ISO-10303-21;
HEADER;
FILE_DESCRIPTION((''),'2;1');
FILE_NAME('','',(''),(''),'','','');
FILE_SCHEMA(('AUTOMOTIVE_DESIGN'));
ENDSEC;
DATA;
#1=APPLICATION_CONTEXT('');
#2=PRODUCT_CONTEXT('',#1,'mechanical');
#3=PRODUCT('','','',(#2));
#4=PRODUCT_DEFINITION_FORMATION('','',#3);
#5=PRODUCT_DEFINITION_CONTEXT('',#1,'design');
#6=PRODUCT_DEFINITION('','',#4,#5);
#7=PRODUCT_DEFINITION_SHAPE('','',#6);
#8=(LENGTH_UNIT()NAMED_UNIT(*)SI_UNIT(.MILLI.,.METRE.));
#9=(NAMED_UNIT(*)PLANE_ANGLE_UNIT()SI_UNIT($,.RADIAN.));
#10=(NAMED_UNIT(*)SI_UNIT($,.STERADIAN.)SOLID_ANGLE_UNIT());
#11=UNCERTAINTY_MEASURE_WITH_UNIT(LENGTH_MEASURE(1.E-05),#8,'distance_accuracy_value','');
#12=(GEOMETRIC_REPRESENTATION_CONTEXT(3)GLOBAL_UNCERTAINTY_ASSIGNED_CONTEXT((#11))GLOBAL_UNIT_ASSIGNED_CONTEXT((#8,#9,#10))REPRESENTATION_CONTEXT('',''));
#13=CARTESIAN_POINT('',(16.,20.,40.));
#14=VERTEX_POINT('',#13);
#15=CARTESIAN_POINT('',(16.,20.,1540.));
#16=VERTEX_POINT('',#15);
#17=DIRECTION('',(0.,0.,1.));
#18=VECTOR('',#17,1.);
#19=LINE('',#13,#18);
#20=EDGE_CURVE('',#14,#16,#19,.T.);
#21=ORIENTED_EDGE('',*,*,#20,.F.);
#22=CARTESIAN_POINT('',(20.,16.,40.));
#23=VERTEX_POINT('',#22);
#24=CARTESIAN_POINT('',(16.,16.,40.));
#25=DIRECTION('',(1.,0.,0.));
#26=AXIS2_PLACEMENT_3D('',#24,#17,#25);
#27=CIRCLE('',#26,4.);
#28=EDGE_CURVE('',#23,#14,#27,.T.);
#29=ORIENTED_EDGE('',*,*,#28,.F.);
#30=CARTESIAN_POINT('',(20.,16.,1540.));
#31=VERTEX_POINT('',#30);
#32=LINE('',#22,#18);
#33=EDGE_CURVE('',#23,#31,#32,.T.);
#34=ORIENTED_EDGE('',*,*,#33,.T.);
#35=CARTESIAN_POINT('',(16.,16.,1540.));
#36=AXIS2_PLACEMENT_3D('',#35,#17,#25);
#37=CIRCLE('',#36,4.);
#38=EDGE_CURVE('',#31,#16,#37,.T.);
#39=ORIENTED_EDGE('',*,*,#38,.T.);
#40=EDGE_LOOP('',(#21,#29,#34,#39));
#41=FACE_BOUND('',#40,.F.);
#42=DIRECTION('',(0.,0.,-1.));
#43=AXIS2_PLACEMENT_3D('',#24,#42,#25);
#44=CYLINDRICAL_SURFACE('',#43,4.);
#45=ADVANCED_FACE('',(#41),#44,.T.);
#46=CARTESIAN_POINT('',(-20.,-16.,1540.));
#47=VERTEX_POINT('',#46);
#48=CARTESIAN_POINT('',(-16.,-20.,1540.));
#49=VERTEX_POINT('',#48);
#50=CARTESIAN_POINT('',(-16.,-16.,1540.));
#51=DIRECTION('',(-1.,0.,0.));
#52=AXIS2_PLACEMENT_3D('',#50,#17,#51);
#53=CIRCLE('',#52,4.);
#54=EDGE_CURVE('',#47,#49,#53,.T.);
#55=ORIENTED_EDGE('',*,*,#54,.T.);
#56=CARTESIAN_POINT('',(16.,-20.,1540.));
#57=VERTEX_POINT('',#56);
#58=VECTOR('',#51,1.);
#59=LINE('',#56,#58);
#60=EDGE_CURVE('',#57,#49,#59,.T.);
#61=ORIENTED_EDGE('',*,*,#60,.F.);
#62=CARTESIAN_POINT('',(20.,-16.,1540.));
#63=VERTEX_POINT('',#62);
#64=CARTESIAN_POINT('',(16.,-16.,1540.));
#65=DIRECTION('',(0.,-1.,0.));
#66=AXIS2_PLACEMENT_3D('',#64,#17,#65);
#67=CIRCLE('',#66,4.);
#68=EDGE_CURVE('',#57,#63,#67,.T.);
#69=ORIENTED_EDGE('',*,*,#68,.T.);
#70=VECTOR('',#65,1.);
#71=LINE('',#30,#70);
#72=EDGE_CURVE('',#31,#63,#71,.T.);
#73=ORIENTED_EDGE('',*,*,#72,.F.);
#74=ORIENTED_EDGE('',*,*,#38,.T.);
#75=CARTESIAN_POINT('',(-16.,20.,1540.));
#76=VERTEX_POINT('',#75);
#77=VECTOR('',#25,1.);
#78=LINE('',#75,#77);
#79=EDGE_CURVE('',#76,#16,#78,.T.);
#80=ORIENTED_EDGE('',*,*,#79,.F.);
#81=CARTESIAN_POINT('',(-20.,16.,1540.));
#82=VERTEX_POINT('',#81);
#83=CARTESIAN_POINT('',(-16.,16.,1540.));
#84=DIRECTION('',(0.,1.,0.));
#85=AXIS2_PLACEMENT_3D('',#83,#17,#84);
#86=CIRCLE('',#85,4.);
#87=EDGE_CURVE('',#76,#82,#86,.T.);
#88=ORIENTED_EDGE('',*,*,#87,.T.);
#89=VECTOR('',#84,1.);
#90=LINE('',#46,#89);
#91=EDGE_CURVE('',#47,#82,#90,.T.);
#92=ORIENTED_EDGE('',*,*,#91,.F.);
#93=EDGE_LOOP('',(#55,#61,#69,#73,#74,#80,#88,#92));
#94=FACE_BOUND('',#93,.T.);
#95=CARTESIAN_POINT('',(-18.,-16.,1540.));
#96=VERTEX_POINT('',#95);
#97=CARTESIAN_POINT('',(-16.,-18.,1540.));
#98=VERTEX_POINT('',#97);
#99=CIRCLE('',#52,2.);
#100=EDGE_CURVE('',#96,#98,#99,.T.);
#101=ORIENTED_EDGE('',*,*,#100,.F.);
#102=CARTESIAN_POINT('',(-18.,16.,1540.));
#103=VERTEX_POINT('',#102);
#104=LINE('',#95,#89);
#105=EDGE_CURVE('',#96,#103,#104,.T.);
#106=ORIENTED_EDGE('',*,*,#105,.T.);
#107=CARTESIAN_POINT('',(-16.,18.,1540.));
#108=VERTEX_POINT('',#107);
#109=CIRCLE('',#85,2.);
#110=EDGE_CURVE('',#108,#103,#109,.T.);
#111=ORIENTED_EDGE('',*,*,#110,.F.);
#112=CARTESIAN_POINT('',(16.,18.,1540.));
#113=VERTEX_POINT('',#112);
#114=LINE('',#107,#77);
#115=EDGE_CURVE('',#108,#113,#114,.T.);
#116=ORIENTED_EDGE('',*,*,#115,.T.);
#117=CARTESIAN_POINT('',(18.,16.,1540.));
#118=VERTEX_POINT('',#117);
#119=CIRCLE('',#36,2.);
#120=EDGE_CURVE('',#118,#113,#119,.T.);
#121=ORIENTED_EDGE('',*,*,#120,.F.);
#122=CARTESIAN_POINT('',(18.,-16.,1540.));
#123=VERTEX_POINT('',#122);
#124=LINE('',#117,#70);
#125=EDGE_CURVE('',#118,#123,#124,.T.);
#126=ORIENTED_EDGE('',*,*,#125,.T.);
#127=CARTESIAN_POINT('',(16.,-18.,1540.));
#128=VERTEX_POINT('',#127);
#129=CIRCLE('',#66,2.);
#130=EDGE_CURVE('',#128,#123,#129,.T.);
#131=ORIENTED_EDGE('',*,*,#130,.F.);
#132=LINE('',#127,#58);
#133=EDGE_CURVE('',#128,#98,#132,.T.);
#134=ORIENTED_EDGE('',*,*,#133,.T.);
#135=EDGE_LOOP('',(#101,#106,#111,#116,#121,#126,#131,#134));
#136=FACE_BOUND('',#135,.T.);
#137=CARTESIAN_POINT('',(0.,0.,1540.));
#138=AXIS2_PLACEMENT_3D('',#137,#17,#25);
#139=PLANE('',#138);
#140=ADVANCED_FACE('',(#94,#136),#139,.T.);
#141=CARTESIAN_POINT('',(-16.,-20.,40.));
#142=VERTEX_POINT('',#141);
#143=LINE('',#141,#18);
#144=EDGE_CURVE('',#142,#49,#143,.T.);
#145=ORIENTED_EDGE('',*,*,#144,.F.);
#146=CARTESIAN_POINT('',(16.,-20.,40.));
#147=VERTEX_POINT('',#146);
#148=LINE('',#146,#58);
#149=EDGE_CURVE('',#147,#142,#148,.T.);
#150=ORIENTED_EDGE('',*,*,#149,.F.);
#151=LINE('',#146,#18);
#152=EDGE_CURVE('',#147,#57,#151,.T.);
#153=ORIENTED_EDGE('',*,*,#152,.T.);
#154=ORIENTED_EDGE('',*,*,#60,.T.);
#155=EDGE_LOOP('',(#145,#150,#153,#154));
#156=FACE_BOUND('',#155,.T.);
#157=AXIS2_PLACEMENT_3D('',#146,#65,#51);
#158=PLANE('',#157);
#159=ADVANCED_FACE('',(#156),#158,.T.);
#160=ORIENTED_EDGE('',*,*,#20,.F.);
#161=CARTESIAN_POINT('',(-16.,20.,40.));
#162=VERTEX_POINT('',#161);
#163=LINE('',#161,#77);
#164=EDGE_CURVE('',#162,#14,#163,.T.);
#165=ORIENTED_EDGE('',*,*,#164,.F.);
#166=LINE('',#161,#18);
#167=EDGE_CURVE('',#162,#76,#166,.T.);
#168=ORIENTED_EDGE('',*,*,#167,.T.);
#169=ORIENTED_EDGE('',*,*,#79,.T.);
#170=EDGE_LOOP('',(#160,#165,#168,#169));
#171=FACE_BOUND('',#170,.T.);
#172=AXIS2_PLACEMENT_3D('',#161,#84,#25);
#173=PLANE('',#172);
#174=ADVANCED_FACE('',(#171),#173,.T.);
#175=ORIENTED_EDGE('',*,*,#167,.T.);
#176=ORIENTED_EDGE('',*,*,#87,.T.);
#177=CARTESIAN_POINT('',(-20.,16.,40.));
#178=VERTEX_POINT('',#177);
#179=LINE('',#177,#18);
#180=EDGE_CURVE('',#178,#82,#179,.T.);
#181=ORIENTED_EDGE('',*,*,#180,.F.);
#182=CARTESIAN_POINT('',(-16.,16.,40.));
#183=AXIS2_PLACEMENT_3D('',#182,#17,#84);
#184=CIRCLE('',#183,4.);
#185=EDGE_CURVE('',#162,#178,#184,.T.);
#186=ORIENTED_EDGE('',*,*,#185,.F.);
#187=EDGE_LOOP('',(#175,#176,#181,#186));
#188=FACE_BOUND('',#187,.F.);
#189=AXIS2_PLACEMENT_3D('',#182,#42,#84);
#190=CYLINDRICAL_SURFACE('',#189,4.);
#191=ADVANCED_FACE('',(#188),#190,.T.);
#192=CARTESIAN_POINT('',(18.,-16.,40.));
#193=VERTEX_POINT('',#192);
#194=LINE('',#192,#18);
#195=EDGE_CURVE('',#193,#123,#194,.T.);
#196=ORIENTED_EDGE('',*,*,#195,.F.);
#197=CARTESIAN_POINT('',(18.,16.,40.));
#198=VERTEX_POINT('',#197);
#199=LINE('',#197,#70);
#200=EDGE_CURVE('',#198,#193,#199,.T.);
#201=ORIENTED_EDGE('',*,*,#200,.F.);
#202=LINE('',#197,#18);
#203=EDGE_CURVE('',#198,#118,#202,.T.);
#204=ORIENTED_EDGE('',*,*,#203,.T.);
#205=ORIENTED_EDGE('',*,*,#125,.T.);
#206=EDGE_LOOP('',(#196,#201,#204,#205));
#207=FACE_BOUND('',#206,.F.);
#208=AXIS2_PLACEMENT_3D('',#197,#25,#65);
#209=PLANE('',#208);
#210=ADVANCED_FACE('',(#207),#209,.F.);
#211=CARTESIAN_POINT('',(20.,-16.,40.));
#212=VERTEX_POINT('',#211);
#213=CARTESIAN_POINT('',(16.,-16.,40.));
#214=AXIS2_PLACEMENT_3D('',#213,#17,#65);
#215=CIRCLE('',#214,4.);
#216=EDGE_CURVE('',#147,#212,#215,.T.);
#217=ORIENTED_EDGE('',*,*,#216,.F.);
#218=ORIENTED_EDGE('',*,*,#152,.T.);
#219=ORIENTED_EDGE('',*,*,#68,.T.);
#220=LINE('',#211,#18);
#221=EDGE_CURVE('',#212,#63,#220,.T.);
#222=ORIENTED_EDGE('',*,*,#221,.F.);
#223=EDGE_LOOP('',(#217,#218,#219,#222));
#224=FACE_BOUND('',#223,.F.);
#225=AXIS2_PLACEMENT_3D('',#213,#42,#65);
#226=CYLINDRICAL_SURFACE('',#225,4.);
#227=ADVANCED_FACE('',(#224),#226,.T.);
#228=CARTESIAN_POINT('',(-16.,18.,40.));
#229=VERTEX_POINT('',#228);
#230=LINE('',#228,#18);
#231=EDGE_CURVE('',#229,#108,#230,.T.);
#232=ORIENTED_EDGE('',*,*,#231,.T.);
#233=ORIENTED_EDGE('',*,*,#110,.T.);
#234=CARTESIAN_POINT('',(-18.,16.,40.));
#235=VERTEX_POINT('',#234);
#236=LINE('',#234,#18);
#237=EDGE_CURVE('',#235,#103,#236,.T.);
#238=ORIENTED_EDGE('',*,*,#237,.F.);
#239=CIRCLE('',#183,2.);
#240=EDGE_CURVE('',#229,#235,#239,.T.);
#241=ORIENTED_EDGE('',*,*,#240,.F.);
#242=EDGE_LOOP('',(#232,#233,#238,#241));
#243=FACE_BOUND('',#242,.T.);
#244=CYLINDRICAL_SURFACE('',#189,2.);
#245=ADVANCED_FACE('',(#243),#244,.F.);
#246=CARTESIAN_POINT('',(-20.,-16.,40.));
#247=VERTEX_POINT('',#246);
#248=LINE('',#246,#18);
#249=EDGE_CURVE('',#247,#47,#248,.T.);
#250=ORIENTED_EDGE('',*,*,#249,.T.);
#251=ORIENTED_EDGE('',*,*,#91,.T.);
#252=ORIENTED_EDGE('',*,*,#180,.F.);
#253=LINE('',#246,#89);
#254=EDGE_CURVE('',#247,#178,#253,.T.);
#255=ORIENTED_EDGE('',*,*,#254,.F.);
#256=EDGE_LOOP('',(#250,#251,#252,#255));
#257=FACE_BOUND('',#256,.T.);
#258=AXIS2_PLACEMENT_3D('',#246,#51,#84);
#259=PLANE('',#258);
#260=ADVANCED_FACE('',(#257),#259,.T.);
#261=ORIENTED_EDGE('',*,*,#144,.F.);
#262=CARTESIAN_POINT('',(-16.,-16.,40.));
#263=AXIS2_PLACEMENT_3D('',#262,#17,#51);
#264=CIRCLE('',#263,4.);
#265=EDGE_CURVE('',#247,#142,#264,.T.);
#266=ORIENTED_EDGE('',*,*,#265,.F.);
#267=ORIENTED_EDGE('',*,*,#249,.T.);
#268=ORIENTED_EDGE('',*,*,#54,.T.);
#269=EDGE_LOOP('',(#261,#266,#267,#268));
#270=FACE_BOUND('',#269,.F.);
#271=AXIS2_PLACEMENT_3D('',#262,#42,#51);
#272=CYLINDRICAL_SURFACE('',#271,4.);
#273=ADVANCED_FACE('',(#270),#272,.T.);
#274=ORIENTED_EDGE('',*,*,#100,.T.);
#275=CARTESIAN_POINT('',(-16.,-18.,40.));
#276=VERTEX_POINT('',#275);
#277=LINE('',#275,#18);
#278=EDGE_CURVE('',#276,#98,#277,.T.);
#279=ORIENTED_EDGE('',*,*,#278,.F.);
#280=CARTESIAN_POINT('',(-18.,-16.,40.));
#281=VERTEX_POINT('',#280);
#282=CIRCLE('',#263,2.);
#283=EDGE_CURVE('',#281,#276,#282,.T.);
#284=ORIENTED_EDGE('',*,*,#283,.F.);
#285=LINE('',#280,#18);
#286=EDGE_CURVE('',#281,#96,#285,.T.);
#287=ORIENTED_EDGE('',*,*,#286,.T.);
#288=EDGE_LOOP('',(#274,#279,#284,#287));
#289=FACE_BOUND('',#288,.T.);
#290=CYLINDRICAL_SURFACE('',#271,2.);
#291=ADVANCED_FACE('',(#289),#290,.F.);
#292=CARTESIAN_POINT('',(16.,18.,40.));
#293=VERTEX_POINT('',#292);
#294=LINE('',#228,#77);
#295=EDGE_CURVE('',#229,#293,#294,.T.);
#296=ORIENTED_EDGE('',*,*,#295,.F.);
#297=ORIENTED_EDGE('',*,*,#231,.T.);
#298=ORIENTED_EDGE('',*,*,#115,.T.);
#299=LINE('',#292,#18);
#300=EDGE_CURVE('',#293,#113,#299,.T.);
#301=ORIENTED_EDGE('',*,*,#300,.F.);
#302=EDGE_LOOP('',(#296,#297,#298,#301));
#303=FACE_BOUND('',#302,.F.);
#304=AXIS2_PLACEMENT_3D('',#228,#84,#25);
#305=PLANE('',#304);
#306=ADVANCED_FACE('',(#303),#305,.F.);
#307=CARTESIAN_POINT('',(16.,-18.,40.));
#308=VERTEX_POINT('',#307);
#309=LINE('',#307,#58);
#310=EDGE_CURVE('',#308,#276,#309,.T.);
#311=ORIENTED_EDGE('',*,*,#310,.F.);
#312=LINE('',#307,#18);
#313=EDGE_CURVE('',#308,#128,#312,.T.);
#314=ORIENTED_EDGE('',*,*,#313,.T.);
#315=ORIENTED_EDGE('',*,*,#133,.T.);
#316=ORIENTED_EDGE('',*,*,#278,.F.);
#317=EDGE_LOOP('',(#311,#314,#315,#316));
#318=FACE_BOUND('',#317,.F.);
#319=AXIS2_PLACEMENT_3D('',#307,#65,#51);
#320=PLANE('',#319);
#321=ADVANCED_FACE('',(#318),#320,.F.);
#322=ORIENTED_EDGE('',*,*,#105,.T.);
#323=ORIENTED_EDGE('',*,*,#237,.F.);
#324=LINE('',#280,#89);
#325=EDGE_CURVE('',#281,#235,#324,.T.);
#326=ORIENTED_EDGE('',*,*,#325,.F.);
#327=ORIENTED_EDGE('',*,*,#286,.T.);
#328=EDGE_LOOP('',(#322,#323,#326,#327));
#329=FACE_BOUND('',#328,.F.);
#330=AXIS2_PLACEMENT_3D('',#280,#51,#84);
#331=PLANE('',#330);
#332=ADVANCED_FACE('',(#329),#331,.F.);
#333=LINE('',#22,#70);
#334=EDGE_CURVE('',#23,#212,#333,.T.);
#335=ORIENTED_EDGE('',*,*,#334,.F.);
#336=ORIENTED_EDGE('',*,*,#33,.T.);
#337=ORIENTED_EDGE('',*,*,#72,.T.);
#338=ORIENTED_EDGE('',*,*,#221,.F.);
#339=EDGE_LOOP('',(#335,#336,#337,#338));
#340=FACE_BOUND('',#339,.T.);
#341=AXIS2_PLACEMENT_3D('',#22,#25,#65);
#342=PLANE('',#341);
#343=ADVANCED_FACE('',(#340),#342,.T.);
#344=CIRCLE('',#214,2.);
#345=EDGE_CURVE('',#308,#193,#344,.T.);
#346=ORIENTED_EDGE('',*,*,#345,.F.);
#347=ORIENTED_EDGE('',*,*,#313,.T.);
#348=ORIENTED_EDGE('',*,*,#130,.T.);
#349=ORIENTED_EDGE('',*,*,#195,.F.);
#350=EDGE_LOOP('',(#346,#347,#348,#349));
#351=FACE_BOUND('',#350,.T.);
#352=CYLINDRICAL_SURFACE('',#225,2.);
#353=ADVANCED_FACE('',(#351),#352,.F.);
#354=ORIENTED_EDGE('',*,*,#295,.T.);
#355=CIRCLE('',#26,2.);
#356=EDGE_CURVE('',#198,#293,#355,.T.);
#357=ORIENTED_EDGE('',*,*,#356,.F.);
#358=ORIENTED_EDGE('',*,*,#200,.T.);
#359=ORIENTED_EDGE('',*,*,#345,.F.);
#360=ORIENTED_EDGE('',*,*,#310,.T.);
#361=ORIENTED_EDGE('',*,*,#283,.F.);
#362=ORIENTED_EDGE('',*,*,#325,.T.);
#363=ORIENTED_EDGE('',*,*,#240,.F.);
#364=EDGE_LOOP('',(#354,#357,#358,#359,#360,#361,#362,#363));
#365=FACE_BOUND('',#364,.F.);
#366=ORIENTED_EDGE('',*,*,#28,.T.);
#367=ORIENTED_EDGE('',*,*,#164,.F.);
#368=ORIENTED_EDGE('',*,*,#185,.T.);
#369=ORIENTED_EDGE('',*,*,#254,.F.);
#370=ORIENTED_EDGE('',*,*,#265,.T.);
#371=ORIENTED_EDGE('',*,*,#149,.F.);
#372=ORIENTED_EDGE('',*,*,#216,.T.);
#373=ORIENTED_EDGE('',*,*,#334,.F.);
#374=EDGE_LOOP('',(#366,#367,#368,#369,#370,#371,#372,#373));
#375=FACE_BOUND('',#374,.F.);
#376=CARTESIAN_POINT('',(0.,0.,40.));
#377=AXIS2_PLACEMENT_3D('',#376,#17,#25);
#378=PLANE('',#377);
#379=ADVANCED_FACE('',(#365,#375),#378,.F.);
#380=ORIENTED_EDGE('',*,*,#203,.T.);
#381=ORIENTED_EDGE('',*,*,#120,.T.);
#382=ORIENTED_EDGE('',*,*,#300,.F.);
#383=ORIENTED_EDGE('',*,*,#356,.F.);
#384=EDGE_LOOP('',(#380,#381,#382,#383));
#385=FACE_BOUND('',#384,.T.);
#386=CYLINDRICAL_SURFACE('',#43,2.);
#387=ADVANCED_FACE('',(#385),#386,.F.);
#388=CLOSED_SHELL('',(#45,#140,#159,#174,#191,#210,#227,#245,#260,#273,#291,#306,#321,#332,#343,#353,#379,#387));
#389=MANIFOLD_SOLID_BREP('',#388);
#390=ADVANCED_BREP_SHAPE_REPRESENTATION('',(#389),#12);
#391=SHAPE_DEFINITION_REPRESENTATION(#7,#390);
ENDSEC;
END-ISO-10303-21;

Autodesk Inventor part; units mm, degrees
ref_plane "YZ Plane" through (0, 0, 0) normal (1, 0, 0) x (0, 1, 0)
ref_plane "Start Plane" through (0, 0, 40) normal (0, 0, 1) x (1, 0, 0)
ref_plane "End Plane" through (0, 0, 1540) normal (0, 0, 1) x (1, 0, 0)
sketch "Sketch" plane through (0, 0, 0) normal (0, 0, 1) x (1, 0, 0)
  line L0 (-20, -16) -> (-20, 16)
  line L1 (-16, 20) -> (16, 20)
  line L2 (20, 16) -> (20, -16)
  line L3 (16, -20) -> (-16, -20)
  arc A0 (-20, -16) -> (-16, -20) centre (-16, -16) ccw
  arc A1 (20, 16) -> (16, 20) centre (16, 16) ccw
  arc A2 (-16, 20) -> (-20, 16) centre (-16, 16) ccw
  arc A3 (16, -20) -> (20, -16) centre (16, -16) ccw
  arc A4 (-16, 18) -> (-18, 16) centre (-16, 16) ccw
  line L4 (-16, 18) -> (16, 18)
  arc A5 (18, 16) -> (16, 18) centre (16, 16) ccw
  line L5 (18, 16) -> (18, -16)
  arc A6 (16, -18) -> (18, -16) centre (16, -16) ccw
  line L6 (16, -18) -> (-16, -18)
  arc A7 (-18, -16) -> (-16, -18) centre (-16, -16) ccw
  line L7 (-18, -16) -> (-18, 16)
  line L8 (0, 29.1598) -> (0, -29.1598) construction
  line L9 (-29.1598, 0) -> (29.1598, 0) construction
  dimension "d7" = 4
  dimension "d9" = 40
  dimension "d11" = 40
  dimension "d12" = 2
  dimension "d15" = 20
  dimension "d16" = 20
extrude "Body" add sketch "Sketch" along normal up to surface (1500 mm away) from surface at 40
sketch "Sketch3" plane through (0, 0, 0) normal (0, 0, 1) x (1, 0, 0)
  line L0 (0, 0) -> (10, 0)
ref_plane "Work Plane3" through (0, 0, 0) normal (0, -1, 0) x (1, 0, 0)
sketch "Sketch4" plane through (0, 0, 0) normal (0, -1, 0) x (1, 0, 0)
  line L0 (-2, 40) -> (12, 40) projected
  line L1 (-2, 1540) -> (12, 1540) projected
  dimension "d18" = 1500
equation "\"d7\" = G_IR"
equation "\"d9\" = G_W"
equation "\"d11\" = G_H"
equation "\"d12\" = G_T"
equation "\"d15\" = 0.5 * d9"
equation "\"d16\" = 0.5 * d11"
equation "\"d3\" = G_L"
equation "\"G_W\" = 40"
equation "\"G_H\" = 40"
equation "\"G_T\" = 2"
equation "\"G_IR\" = 4"
equation "\"G_L\" = d18"
equation "\"G_OFFSET_END\" = 0"
properties part number "ISO 4019 - 40x40x2 - 1500" material "Steel, Mild"
